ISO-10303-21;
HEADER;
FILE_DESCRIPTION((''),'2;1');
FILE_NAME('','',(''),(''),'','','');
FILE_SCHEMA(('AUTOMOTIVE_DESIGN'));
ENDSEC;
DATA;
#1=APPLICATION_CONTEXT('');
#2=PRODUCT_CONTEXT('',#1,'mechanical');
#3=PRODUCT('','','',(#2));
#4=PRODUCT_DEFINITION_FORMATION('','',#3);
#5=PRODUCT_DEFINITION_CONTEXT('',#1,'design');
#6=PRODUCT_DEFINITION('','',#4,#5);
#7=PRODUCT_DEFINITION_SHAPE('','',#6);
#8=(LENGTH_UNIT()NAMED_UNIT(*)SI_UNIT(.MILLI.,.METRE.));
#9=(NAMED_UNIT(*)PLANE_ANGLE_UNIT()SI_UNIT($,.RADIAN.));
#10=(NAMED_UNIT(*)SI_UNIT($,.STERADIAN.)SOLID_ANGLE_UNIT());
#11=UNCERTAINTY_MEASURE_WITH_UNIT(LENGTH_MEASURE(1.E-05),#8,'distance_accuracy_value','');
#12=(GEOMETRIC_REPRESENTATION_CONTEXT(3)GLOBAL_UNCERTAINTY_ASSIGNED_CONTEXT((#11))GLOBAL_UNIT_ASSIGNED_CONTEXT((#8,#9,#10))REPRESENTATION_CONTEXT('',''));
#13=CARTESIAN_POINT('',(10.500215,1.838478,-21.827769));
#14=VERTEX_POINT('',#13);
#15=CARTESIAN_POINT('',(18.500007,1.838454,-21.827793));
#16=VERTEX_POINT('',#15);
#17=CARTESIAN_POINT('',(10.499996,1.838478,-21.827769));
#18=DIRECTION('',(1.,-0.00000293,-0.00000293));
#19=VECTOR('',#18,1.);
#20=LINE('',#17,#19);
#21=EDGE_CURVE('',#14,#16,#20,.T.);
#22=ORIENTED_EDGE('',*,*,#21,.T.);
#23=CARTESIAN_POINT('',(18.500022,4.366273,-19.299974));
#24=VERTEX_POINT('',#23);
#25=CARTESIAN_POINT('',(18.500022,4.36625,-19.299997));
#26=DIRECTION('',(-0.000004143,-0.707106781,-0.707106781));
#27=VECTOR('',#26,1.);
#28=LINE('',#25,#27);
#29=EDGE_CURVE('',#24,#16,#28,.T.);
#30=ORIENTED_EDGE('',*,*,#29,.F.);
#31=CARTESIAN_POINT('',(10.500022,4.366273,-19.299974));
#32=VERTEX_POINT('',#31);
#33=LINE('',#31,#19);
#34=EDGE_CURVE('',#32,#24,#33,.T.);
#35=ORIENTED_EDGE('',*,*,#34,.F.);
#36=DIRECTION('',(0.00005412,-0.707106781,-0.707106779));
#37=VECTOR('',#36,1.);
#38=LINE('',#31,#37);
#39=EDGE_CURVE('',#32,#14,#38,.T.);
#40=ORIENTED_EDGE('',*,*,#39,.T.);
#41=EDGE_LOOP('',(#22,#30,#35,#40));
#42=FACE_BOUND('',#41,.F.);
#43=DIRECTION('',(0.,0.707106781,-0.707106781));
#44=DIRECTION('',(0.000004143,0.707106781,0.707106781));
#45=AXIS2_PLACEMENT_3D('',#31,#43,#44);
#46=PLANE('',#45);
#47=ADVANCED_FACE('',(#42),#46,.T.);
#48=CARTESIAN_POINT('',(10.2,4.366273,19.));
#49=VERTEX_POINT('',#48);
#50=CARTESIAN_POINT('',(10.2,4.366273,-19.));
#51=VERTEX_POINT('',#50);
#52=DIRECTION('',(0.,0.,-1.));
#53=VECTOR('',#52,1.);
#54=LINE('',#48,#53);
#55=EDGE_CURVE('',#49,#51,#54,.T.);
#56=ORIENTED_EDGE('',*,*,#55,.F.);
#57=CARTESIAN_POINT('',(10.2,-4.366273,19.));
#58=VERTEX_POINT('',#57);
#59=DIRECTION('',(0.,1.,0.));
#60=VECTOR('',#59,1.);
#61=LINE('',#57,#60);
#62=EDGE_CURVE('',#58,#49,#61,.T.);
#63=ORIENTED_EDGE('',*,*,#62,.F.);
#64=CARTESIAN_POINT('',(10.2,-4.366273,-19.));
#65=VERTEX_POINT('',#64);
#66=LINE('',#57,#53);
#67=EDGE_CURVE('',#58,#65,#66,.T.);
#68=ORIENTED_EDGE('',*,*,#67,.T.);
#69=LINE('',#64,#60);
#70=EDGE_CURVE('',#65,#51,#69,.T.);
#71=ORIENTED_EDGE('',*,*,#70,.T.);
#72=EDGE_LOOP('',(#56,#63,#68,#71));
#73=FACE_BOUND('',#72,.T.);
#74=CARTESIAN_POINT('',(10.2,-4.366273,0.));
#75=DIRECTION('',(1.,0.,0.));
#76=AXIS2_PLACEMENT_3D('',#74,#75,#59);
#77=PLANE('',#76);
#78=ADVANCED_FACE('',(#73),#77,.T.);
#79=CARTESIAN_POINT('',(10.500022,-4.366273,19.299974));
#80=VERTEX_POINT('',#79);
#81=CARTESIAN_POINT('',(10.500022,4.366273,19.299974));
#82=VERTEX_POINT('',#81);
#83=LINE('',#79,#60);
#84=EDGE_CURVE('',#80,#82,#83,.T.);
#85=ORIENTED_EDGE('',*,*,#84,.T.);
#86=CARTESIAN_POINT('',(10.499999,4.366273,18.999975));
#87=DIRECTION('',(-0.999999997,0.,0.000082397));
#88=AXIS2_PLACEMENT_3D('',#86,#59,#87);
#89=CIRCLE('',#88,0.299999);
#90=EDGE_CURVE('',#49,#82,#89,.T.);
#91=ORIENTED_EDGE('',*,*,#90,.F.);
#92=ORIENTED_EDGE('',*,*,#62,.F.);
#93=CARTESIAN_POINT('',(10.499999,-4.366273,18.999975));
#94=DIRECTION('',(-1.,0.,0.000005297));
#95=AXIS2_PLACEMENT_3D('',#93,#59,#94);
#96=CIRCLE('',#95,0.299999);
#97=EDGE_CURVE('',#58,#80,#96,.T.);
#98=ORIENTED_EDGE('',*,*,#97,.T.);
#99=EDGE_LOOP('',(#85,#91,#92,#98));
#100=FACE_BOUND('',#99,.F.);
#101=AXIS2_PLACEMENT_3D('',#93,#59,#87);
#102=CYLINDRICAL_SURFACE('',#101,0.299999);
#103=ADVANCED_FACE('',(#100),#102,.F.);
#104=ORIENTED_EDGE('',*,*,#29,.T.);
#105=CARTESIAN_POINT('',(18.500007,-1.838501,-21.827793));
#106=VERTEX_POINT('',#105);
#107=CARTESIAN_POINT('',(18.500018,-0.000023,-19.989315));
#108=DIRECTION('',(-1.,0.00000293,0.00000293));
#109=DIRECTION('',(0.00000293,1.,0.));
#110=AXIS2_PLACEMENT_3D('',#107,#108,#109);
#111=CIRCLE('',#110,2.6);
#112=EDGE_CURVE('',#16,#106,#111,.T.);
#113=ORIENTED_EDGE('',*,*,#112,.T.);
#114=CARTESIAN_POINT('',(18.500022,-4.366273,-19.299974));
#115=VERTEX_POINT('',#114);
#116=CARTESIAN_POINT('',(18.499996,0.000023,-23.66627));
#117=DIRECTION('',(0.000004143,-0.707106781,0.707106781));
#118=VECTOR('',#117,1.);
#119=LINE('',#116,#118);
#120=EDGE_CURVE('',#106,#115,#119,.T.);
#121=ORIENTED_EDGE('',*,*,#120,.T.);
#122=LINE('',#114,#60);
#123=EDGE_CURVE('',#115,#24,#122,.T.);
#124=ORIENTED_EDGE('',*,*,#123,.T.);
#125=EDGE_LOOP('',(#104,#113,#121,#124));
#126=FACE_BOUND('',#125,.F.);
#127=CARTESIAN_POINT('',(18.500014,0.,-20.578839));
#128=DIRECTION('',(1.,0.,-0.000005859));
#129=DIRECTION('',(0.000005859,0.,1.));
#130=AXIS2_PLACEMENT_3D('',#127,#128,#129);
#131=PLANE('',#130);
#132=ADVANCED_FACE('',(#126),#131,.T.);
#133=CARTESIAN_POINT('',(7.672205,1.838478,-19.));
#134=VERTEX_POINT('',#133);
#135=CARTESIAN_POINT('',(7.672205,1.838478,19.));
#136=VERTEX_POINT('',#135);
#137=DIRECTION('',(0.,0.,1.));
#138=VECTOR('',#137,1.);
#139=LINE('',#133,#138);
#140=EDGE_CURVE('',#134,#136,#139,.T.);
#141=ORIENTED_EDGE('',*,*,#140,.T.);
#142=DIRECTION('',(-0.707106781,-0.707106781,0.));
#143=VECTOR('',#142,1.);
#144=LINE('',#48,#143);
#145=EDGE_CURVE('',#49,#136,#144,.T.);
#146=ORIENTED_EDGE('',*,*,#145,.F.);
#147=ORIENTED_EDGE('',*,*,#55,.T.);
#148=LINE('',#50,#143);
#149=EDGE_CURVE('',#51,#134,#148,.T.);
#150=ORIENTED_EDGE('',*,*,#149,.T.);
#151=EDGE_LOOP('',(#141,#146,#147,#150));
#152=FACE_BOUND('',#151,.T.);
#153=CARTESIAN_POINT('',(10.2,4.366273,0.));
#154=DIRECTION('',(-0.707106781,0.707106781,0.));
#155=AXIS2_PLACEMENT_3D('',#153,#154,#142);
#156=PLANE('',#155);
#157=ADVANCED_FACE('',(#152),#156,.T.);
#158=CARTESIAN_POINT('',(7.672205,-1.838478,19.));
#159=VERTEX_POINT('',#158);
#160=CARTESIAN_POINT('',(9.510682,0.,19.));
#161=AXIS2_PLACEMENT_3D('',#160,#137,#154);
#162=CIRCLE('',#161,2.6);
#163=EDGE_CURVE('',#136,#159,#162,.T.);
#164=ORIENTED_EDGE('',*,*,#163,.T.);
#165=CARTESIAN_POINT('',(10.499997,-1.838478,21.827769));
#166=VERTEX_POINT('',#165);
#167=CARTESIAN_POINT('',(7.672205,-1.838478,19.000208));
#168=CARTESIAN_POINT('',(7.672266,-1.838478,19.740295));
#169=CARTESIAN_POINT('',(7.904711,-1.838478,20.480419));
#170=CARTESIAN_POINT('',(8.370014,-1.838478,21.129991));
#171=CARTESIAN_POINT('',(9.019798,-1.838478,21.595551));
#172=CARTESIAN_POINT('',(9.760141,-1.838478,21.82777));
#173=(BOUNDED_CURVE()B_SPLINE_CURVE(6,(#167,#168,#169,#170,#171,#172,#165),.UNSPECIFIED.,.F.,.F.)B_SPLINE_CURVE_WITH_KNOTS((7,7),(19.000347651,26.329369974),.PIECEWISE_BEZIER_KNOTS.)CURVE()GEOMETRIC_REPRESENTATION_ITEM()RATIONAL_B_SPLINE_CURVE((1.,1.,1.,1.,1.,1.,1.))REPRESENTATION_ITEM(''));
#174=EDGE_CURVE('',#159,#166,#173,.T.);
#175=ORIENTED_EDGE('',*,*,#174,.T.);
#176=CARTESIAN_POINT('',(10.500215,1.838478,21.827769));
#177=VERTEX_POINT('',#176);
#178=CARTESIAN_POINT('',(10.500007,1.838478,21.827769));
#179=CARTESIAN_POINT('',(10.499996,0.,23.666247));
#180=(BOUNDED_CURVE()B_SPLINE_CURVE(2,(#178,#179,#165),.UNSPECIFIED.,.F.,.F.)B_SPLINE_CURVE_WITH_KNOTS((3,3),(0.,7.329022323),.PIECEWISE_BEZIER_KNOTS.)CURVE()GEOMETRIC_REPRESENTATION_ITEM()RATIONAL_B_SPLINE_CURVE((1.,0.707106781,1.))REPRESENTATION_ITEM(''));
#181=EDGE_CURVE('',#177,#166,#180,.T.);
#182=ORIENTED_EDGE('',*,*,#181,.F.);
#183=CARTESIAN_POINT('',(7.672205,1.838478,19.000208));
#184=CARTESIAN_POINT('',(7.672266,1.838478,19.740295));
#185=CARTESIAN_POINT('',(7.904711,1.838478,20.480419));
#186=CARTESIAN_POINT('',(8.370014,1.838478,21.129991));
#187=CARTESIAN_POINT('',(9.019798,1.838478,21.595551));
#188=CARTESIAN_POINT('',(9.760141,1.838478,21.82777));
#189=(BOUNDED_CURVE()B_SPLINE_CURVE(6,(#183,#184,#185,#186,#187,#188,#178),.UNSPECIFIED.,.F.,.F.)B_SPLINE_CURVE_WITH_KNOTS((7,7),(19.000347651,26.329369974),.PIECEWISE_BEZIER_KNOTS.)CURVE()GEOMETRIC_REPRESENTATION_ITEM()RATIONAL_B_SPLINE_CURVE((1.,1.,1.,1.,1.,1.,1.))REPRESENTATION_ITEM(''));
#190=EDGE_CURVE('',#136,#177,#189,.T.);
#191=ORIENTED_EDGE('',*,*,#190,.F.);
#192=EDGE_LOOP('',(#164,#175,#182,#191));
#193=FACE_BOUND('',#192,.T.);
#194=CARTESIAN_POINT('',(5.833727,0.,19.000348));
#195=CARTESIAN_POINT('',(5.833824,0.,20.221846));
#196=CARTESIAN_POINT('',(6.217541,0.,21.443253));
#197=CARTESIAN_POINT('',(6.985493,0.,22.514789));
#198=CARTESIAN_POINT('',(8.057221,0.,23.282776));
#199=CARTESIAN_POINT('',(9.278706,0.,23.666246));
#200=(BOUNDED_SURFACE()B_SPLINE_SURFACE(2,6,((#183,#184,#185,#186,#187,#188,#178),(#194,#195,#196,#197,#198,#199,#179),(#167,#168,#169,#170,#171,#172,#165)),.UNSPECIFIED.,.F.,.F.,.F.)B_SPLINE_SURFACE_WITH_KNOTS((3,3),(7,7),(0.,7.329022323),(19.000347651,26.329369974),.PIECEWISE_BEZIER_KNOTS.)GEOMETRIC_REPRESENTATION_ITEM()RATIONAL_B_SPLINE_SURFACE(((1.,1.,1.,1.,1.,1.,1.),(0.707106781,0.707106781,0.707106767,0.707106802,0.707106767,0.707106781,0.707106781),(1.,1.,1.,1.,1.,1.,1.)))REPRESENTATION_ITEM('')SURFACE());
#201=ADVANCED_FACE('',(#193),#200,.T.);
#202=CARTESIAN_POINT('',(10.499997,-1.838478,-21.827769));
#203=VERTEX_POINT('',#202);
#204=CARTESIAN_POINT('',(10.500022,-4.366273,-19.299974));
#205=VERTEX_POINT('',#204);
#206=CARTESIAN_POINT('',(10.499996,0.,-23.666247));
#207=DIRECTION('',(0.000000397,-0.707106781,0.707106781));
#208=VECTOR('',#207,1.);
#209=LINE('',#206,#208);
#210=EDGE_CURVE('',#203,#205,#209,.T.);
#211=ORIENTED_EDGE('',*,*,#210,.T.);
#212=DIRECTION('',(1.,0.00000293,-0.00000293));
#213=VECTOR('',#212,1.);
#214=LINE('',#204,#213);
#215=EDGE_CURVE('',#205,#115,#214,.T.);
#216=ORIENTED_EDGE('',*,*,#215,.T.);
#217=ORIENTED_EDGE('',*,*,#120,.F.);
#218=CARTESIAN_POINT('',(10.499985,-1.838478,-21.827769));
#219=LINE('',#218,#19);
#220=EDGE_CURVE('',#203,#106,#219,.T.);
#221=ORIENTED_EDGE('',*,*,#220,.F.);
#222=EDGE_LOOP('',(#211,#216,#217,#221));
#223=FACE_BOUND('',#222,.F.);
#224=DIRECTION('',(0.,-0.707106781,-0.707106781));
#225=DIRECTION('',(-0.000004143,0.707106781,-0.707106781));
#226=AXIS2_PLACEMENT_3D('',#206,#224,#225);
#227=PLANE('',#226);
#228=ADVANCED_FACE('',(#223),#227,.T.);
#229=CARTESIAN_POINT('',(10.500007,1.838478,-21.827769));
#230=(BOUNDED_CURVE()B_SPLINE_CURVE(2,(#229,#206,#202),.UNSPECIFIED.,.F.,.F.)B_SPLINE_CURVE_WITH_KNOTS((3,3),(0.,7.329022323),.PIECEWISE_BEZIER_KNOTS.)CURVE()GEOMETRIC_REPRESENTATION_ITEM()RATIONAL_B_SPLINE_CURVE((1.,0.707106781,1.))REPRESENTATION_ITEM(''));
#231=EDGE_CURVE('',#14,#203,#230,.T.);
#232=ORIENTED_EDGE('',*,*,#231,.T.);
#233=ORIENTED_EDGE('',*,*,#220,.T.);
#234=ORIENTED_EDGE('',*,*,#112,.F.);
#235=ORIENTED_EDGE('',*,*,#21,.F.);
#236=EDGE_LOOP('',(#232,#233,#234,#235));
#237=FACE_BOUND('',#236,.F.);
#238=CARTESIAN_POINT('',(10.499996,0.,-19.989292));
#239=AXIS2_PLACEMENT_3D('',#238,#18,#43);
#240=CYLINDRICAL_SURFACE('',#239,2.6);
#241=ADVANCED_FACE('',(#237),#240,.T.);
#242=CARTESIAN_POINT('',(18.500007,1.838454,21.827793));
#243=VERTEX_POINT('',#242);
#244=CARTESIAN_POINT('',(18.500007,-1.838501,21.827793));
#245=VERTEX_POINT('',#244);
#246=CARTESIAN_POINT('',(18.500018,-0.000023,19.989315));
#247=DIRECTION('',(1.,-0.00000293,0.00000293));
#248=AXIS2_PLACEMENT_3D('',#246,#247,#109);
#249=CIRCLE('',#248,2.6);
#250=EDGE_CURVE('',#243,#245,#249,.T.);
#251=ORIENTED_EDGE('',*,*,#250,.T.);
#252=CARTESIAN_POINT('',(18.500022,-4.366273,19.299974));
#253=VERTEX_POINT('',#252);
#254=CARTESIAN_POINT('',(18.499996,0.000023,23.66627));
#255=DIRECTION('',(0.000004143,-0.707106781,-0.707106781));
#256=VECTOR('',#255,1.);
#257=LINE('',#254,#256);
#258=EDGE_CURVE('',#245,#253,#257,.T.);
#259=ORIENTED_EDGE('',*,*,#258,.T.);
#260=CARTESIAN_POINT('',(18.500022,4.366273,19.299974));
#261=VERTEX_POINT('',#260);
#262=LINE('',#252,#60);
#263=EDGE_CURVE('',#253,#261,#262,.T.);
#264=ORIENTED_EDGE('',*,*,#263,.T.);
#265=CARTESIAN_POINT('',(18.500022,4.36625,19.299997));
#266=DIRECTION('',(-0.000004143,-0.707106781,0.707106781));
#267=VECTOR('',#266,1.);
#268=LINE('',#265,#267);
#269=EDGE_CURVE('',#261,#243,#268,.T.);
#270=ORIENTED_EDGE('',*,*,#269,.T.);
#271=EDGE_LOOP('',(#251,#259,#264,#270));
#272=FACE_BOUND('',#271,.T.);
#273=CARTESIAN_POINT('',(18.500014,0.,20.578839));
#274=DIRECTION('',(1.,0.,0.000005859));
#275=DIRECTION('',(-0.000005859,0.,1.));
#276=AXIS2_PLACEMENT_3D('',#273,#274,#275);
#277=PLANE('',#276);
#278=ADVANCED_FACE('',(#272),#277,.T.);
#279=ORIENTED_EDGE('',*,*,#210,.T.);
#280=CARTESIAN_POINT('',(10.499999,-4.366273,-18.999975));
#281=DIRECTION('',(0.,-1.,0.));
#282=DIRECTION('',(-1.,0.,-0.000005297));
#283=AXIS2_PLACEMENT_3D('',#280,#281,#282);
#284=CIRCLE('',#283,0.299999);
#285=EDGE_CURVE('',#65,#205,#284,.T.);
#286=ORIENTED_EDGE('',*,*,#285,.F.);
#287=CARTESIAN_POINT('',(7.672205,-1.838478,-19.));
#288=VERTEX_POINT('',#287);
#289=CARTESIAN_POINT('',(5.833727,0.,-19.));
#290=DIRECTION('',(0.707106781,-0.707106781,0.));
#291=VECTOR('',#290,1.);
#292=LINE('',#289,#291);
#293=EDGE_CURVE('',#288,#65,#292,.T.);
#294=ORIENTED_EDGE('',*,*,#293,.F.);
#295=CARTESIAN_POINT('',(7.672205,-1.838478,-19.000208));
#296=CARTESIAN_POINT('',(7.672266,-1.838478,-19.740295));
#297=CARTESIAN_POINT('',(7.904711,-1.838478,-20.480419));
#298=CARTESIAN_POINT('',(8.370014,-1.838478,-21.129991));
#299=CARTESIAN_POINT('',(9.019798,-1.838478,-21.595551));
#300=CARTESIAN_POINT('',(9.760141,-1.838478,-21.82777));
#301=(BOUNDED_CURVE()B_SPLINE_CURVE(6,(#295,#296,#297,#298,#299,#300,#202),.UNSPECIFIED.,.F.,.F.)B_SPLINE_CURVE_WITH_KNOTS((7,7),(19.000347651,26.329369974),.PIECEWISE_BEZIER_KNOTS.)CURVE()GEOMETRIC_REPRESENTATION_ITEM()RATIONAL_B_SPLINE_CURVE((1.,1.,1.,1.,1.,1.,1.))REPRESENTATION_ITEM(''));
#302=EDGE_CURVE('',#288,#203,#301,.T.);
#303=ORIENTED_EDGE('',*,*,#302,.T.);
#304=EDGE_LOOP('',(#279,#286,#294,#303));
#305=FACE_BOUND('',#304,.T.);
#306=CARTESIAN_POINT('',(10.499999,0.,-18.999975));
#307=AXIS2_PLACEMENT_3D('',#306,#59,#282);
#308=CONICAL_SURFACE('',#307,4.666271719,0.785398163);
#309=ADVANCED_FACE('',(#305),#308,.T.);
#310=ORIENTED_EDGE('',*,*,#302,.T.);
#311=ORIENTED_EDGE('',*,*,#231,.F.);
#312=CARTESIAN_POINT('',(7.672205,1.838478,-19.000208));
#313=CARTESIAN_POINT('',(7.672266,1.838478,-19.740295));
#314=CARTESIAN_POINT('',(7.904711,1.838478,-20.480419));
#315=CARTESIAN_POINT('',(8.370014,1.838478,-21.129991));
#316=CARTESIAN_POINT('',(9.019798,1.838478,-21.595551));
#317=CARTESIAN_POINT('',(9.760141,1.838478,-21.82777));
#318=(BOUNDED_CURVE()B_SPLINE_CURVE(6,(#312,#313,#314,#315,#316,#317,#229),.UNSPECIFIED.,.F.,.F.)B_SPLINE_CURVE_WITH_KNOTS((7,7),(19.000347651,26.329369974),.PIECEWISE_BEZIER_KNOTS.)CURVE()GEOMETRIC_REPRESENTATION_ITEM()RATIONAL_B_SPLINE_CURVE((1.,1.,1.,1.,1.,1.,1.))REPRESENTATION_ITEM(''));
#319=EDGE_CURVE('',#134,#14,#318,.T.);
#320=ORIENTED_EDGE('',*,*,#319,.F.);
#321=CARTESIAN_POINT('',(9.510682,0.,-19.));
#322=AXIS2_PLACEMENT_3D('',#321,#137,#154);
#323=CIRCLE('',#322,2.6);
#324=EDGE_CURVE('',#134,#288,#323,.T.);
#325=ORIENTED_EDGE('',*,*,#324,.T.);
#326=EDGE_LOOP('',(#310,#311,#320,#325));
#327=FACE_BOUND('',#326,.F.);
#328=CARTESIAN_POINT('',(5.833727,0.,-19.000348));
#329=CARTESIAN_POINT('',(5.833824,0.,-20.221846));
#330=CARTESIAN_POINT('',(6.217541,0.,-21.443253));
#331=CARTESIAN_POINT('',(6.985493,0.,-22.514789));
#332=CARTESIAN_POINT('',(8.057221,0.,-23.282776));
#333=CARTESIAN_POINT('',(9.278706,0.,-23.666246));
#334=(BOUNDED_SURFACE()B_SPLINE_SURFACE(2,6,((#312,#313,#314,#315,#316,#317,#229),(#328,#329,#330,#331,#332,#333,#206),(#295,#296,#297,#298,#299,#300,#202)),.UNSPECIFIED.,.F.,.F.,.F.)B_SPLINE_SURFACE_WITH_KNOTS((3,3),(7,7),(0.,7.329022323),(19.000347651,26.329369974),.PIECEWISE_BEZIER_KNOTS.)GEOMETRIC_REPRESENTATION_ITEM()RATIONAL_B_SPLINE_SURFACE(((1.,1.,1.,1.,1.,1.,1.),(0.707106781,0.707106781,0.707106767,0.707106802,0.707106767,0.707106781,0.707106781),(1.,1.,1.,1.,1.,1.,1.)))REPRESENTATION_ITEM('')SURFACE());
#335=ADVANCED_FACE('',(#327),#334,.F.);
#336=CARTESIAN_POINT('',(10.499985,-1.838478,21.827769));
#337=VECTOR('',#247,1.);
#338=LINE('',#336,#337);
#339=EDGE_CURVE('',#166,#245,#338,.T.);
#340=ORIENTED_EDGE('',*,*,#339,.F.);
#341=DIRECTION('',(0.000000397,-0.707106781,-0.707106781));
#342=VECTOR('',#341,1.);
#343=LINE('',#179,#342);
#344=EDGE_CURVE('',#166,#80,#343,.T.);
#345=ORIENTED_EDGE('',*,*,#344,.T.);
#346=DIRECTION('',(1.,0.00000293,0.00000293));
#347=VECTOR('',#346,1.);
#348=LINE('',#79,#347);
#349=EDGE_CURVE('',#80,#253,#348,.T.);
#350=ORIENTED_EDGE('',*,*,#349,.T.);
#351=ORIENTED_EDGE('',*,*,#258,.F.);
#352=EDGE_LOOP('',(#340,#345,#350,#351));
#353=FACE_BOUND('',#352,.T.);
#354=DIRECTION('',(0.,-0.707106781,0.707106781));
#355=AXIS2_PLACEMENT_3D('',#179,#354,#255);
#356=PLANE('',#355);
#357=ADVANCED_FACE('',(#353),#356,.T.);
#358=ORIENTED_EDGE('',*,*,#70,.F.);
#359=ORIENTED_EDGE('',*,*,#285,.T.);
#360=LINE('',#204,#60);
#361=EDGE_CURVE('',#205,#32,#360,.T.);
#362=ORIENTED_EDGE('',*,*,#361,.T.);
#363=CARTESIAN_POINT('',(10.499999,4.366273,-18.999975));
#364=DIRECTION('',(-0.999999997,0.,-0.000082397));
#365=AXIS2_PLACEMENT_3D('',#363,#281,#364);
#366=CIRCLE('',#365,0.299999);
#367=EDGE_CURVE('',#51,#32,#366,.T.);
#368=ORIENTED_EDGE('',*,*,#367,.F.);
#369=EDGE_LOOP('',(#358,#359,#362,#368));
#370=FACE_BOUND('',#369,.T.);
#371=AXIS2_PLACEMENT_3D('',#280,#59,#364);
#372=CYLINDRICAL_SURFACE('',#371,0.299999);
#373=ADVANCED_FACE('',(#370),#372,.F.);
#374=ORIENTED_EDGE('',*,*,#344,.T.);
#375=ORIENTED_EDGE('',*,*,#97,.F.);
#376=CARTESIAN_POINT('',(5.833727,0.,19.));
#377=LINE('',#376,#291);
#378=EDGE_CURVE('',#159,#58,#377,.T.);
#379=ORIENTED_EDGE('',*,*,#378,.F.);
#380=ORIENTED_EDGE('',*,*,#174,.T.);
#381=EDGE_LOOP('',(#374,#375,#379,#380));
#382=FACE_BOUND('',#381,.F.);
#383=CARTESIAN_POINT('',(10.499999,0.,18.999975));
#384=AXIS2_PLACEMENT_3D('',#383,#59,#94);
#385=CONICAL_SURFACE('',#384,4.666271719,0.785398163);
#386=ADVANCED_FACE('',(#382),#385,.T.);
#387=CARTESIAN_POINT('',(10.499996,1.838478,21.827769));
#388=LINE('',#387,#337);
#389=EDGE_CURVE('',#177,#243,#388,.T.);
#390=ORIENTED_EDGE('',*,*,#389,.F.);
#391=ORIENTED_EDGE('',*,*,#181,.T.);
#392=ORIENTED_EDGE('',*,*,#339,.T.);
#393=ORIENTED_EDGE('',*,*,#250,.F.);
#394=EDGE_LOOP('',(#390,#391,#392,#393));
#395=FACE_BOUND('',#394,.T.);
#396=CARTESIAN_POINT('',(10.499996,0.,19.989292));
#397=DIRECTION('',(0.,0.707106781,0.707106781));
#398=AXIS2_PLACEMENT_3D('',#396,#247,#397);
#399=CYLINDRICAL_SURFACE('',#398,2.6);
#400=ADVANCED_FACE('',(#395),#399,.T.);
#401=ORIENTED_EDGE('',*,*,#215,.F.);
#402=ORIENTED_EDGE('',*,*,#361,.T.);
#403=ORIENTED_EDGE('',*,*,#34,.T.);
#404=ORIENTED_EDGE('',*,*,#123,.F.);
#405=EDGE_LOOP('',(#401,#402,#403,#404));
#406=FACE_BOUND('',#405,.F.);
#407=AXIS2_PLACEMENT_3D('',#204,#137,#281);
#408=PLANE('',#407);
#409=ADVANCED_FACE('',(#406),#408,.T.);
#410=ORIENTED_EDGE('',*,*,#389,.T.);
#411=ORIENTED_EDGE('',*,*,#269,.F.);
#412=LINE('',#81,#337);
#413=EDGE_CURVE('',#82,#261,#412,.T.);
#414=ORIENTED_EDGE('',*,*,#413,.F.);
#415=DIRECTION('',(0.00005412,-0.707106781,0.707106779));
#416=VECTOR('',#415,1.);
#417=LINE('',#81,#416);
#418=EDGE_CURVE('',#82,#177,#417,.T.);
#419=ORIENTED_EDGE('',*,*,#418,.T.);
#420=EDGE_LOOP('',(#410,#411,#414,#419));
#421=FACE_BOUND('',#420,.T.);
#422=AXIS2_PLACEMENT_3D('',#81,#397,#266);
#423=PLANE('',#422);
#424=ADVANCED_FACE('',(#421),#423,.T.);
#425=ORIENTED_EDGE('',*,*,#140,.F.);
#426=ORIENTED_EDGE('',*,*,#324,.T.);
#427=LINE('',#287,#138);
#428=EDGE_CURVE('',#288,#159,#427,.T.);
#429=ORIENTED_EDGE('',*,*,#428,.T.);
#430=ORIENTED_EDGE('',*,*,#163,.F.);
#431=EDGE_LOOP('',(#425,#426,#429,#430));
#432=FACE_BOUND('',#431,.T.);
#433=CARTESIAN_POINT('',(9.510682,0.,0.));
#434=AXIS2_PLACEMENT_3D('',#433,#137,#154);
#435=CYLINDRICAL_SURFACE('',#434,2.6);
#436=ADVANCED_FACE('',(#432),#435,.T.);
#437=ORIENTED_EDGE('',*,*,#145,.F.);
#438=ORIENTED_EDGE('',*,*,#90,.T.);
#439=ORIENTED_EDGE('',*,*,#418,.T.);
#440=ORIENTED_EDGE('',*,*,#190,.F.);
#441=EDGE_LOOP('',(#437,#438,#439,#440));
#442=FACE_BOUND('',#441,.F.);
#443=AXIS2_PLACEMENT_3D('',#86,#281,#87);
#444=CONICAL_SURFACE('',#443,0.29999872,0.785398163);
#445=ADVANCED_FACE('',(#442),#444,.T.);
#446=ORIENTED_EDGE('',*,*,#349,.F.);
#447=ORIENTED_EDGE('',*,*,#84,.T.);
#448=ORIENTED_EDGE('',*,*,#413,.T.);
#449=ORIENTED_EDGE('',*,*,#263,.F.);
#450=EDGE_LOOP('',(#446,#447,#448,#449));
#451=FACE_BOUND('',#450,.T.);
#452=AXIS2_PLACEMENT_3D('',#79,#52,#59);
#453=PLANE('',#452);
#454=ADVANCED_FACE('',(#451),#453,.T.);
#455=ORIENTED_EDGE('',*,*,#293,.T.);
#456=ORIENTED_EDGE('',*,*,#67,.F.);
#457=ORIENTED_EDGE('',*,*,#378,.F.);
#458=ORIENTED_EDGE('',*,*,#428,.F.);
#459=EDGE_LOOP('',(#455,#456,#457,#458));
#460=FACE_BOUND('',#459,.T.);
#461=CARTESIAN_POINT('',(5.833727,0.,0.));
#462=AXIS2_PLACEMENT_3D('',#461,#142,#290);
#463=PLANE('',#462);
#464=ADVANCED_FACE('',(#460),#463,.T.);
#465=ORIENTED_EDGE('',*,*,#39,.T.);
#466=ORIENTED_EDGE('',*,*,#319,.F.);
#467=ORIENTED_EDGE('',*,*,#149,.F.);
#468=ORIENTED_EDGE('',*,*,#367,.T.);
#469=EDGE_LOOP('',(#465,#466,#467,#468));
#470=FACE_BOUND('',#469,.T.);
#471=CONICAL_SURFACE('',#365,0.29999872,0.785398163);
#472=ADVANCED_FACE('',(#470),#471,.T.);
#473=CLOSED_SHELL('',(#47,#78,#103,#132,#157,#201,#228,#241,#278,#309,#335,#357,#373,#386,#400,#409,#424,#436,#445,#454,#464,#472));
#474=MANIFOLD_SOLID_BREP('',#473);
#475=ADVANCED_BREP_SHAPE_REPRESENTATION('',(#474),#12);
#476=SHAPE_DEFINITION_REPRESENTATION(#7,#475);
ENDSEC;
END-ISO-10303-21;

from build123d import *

# Parameters (mm, degrees)
FILLET003_R = 2.6


with BuildPart() as railfillet:
    # Sweep: sweep along a path in Sketch002
    with BuildLine(Plane.XZ) as sweep_path:
        Line((6.5, 0), (6.5, 19))
        ThreePointArc((6.5, 19), (7.671582, 21.828411), (10.5, 22.999974))
        Line((10.5, 22.999974), (18.5, 22.999974))
    # Sketch011 → Sweep (sweep)
    with BuildSketch(Plane.XY):
        Polygon((10.2, 4.366273), (5.833727, 0), (10.2, -4.366273), align=None)
    sweep(path=sweep_path.line)

    # Fillet003
    fillet003_edges = [railfillet.edges().sort_by_distance(p)[0] for p in [
        (14.499996, -1.3e-05, 23.66626),
    ]]
    fillet(fillet003_edges, radius=FILLET003_R)


with BuildPart() as guide:
    # Part__Mirroring: instance of RailFillet
    add(railfillet.part.mirror(Plane(origin=(0, 0, 0), x_dir=(0, 1, 0), z_dir=(0, 0, 1))))

    # Fusion001: union RailFillet
    add(railfillet.part)


solid = guide.part
